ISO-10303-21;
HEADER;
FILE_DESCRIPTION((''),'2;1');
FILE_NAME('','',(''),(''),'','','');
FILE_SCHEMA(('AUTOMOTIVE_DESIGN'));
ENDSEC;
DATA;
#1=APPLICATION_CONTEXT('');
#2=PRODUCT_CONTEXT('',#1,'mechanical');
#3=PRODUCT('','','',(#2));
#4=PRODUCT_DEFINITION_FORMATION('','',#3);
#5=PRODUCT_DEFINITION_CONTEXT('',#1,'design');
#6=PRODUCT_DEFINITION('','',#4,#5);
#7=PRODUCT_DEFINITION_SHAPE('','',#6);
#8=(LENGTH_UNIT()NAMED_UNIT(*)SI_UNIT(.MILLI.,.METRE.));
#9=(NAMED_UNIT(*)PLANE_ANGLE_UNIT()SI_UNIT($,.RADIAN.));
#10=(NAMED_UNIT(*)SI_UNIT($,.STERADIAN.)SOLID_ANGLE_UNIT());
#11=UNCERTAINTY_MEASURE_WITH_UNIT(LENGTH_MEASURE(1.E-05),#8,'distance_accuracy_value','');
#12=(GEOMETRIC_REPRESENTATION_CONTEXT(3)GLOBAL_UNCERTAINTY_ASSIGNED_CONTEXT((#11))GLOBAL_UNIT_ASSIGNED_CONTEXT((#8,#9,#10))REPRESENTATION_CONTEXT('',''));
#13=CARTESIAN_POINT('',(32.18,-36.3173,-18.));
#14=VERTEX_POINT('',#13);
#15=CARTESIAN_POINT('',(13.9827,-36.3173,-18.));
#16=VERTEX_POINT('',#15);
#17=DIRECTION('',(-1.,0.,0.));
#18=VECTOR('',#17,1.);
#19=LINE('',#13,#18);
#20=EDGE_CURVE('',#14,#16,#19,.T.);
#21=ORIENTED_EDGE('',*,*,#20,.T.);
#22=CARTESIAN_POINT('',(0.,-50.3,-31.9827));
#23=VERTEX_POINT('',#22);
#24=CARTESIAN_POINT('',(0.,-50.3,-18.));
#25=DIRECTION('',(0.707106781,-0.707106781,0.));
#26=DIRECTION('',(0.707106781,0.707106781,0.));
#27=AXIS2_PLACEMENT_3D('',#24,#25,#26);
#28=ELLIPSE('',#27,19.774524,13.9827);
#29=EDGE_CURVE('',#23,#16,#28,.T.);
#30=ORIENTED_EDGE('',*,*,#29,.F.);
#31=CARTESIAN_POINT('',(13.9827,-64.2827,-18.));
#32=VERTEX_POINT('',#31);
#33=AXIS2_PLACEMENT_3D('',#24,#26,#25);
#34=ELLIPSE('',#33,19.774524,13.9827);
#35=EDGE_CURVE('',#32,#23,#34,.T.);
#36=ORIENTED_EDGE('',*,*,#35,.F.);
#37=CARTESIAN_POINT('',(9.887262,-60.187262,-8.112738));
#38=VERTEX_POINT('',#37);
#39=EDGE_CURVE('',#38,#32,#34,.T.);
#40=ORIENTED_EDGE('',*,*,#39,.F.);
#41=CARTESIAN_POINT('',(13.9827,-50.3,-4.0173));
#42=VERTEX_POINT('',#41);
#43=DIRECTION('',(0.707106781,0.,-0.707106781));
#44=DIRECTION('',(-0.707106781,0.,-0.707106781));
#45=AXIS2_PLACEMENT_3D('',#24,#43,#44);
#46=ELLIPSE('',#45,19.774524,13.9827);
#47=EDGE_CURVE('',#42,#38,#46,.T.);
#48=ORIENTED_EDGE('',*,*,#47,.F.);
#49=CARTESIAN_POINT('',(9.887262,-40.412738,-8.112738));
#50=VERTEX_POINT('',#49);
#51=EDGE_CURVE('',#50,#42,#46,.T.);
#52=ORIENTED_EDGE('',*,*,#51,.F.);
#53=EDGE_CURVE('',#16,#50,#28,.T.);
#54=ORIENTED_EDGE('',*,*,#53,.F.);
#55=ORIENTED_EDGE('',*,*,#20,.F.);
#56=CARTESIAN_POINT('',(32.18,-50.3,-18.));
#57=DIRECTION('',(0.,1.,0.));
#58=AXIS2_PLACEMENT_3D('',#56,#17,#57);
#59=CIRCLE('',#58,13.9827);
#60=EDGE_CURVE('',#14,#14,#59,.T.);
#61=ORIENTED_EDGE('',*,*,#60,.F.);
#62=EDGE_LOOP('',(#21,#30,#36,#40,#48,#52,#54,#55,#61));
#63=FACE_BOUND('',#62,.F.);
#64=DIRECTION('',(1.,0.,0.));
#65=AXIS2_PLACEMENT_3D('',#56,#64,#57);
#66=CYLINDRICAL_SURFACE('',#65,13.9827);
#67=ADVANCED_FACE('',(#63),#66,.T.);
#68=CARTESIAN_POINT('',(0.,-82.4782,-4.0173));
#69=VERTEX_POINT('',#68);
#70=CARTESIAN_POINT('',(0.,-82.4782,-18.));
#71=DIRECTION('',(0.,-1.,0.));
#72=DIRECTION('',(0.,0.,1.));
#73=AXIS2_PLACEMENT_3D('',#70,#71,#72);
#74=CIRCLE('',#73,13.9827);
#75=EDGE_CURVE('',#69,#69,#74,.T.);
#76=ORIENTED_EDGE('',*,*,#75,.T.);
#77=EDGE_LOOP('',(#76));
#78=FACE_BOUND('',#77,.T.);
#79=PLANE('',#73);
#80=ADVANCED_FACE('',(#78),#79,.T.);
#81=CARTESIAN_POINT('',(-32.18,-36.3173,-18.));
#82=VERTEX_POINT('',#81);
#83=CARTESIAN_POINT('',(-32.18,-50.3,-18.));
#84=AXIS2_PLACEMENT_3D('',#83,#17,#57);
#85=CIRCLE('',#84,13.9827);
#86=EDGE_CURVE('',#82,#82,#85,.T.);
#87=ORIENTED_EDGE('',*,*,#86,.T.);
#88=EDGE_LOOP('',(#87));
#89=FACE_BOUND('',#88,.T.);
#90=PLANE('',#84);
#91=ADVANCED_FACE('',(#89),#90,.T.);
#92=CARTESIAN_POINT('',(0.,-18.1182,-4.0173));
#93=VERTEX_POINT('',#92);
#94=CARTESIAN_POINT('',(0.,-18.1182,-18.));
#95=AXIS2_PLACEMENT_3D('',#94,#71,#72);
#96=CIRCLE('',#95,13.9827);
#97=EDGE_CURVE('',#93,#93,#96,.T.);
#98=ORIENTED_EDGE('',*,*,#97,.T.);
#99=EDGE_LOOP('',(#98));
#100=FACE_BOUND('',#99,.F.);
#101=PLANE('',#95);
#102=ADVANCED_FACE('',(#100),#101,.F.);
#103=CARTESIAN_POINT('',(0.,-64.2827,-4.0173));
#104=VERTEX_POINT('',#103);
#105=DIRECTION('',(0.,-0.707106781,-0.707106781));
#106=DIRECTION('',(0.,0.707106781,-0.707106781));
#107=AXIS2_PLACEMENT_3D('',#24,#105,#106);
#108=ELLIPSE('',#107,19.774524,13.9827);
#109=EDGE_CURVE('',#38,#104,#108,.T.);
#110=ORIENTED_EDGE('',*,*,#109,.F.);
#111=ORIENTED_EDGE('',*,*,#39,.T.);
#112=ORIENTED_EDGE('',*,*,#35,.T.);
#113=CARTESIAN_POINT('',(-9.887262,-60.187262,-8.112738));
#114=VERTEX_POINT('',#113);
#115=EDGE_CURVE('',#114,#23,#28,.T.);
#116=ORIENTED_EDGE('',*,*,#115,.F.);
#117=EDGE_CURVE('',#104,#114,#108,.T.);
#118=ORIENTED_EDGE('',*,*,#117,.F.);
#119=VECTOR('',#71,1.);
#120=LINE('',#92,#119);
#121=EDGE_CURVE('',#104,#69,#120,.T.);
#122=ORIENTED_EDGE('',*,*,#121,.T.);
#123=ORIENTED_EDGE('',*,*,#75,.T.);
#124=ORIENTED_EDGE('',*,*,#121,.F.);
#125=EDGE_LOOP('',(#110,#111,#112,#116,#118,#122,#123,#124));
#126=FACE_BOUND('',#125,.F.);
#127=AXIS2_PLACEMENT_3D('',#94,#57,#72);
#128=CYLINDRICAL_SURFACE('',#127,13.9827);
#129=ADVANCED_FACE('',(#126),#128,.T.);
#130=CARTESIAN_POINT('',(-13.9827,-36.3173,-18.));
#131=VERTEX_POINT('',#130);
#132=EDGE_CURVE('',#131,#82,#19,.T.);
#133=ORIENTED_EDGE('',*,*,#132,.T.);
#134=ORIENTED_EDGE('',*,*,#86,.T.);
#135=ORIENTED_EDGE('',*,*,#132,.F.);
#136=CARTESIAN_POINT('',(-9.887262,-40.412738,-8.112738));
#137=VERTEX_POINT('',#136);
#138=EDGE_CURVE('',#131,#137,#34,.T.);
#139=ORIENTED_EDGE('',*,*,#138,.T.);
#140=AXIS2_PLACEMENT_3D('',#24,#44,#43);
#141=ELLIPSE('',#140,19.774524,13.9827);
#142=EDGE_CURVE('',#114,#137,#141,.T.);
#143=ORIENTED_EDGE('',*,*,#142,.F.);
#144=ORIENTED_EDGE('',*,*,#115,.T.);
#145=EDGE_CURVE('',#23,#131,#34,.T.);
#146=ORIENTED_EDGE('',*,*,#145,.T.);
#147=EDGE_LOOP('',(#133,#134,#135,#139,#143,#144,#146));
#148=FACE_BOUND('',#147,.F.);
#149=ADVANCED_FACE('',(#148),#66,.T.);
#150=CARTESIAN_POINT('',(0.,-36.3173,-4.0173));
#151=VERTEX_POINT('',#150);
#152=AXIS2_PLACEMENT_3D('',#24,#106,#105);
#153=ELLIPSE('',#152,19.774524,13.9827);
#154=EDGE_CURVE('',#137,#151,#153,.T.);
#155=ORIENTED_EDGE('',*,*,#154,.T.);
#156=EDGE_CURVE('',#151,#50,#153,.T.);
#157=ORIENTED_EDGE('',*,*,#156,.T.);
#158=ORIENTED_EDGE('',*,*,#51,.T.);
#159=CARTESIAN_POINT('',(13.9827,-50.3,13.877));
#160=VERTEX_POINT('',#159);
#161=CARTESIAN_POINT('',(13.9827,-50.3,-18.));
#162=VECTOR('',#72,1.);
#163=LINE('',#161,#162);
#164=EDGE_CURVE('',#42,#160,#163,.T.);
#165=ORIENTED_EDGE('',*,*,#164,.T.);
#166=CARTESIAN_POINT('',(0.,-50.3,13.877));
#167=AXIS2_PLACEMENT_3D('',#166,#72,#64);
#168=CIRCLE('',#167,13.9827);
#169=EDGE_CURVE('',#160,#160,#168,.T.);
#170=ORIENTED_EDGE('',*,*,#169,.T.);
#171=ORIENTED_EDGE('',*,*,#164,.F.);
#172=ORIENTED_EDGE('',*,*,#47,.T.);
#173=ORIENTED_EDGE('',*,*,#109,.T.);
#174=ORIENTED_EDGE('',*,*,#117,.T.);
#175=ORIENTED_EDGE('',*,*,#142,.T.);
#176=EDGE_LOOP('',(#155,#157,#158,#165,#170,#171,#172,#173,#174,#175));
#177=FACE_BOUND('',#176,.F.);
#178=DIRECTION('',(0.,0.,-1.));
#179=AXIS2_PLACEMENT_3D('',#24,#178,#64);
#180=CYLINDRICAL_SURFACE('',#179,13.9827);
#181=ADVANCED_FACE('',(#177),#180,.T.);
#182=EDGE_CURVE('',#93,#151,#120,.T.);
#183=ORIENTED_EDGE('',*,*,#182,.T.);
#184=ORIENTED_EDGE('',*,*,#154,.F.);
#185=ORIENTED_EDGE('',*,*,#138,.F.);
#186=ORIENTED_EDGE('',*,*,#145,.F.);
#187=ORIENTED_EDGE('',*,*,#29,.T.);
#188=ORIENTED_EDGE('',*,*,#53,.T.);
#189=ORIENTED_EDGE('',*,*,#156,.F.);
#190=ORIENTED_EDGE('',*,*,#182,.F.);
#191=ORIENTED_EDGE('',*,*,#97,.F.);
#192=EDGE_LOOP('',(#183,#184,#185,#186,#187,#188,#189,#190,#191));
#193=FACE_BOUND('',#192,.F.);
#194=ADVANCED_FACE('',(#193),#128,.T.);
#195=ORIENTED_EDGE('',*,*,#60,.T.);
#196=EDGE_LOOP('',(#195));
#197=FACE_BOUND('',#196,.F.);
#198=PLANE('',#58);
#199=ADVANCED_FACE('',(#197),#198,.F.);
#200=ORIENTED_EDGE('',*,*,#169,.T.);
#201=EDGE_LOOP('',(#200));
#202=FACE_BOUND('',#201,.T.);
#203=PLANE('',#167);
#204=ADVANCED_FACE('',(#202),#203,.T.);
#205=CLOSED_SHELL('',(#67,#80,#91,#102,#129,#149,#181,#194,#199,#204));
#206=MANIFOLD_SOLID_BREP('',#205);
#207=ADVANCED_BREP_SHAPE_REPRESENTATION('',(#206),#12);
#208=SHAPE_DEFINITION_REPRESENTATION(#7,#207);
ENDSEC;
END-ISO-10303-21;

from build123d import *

# Parameters (mm, degrees)
CYLINDER035_R             = 13.9827
CYLINDER035_DEPTH         = 64.36
CYLINDER036_R             = 13.9827
CYLINDER036_DEPTH         = 64.36
CYLINDER037_R             = 13.9827
CYLINDER037_DEPTH         = 31.877
FUSION015_PLACEMENT_ANGLE = 90


with BuildPart() as cylinder035:
    # Cylinder035 → Cylinder035 (new body)
    with BuildSketch(Plane(origin=(0, 0, -32.18), x_dir=(0, 1, 0), z_dir=(0, 0, 1))):
        Circle(CYLINDER035_R)
    extrude(amount=CYLINDER035_DEPTH)


with BuildPart() as cylinder036:
    # Cylinder036 → Cylinder036 (new body)
    with BuildSketch(Plane.XZ.offset(-32.1818)):
        Circle(CYLINDER036_R)
    extrude(amount=CYLINDER036_DEPTH)


with BuildPart() as f_5_way001:
    # Cylinder037 → Cylinder037 (new body)
    with BuildSketch(Plane(origin=(0, 0, 0), x_dir=(0, 0, -1), z_dir=(1, 0, 0))):
        Circle(CYLINDER037_R)
    extrude(amount=CYLINDER037_DEPTH)

    # Fusion015: union Cylinder035, Cylinder036
    add(cylinder035.part)
    add(cylinder036.part)


with BuildPart() as f_5_way001_1:
    # Fusion015 placement: moved
    add(f_5_way001.part.moved(Location((0, -50.3, -18))).rotate(Axis((0, -50.3, -18), (0, -1, 0)), FUSION015_PLACEMENT_ANGLE))


solid = f_5_way001_1.part
